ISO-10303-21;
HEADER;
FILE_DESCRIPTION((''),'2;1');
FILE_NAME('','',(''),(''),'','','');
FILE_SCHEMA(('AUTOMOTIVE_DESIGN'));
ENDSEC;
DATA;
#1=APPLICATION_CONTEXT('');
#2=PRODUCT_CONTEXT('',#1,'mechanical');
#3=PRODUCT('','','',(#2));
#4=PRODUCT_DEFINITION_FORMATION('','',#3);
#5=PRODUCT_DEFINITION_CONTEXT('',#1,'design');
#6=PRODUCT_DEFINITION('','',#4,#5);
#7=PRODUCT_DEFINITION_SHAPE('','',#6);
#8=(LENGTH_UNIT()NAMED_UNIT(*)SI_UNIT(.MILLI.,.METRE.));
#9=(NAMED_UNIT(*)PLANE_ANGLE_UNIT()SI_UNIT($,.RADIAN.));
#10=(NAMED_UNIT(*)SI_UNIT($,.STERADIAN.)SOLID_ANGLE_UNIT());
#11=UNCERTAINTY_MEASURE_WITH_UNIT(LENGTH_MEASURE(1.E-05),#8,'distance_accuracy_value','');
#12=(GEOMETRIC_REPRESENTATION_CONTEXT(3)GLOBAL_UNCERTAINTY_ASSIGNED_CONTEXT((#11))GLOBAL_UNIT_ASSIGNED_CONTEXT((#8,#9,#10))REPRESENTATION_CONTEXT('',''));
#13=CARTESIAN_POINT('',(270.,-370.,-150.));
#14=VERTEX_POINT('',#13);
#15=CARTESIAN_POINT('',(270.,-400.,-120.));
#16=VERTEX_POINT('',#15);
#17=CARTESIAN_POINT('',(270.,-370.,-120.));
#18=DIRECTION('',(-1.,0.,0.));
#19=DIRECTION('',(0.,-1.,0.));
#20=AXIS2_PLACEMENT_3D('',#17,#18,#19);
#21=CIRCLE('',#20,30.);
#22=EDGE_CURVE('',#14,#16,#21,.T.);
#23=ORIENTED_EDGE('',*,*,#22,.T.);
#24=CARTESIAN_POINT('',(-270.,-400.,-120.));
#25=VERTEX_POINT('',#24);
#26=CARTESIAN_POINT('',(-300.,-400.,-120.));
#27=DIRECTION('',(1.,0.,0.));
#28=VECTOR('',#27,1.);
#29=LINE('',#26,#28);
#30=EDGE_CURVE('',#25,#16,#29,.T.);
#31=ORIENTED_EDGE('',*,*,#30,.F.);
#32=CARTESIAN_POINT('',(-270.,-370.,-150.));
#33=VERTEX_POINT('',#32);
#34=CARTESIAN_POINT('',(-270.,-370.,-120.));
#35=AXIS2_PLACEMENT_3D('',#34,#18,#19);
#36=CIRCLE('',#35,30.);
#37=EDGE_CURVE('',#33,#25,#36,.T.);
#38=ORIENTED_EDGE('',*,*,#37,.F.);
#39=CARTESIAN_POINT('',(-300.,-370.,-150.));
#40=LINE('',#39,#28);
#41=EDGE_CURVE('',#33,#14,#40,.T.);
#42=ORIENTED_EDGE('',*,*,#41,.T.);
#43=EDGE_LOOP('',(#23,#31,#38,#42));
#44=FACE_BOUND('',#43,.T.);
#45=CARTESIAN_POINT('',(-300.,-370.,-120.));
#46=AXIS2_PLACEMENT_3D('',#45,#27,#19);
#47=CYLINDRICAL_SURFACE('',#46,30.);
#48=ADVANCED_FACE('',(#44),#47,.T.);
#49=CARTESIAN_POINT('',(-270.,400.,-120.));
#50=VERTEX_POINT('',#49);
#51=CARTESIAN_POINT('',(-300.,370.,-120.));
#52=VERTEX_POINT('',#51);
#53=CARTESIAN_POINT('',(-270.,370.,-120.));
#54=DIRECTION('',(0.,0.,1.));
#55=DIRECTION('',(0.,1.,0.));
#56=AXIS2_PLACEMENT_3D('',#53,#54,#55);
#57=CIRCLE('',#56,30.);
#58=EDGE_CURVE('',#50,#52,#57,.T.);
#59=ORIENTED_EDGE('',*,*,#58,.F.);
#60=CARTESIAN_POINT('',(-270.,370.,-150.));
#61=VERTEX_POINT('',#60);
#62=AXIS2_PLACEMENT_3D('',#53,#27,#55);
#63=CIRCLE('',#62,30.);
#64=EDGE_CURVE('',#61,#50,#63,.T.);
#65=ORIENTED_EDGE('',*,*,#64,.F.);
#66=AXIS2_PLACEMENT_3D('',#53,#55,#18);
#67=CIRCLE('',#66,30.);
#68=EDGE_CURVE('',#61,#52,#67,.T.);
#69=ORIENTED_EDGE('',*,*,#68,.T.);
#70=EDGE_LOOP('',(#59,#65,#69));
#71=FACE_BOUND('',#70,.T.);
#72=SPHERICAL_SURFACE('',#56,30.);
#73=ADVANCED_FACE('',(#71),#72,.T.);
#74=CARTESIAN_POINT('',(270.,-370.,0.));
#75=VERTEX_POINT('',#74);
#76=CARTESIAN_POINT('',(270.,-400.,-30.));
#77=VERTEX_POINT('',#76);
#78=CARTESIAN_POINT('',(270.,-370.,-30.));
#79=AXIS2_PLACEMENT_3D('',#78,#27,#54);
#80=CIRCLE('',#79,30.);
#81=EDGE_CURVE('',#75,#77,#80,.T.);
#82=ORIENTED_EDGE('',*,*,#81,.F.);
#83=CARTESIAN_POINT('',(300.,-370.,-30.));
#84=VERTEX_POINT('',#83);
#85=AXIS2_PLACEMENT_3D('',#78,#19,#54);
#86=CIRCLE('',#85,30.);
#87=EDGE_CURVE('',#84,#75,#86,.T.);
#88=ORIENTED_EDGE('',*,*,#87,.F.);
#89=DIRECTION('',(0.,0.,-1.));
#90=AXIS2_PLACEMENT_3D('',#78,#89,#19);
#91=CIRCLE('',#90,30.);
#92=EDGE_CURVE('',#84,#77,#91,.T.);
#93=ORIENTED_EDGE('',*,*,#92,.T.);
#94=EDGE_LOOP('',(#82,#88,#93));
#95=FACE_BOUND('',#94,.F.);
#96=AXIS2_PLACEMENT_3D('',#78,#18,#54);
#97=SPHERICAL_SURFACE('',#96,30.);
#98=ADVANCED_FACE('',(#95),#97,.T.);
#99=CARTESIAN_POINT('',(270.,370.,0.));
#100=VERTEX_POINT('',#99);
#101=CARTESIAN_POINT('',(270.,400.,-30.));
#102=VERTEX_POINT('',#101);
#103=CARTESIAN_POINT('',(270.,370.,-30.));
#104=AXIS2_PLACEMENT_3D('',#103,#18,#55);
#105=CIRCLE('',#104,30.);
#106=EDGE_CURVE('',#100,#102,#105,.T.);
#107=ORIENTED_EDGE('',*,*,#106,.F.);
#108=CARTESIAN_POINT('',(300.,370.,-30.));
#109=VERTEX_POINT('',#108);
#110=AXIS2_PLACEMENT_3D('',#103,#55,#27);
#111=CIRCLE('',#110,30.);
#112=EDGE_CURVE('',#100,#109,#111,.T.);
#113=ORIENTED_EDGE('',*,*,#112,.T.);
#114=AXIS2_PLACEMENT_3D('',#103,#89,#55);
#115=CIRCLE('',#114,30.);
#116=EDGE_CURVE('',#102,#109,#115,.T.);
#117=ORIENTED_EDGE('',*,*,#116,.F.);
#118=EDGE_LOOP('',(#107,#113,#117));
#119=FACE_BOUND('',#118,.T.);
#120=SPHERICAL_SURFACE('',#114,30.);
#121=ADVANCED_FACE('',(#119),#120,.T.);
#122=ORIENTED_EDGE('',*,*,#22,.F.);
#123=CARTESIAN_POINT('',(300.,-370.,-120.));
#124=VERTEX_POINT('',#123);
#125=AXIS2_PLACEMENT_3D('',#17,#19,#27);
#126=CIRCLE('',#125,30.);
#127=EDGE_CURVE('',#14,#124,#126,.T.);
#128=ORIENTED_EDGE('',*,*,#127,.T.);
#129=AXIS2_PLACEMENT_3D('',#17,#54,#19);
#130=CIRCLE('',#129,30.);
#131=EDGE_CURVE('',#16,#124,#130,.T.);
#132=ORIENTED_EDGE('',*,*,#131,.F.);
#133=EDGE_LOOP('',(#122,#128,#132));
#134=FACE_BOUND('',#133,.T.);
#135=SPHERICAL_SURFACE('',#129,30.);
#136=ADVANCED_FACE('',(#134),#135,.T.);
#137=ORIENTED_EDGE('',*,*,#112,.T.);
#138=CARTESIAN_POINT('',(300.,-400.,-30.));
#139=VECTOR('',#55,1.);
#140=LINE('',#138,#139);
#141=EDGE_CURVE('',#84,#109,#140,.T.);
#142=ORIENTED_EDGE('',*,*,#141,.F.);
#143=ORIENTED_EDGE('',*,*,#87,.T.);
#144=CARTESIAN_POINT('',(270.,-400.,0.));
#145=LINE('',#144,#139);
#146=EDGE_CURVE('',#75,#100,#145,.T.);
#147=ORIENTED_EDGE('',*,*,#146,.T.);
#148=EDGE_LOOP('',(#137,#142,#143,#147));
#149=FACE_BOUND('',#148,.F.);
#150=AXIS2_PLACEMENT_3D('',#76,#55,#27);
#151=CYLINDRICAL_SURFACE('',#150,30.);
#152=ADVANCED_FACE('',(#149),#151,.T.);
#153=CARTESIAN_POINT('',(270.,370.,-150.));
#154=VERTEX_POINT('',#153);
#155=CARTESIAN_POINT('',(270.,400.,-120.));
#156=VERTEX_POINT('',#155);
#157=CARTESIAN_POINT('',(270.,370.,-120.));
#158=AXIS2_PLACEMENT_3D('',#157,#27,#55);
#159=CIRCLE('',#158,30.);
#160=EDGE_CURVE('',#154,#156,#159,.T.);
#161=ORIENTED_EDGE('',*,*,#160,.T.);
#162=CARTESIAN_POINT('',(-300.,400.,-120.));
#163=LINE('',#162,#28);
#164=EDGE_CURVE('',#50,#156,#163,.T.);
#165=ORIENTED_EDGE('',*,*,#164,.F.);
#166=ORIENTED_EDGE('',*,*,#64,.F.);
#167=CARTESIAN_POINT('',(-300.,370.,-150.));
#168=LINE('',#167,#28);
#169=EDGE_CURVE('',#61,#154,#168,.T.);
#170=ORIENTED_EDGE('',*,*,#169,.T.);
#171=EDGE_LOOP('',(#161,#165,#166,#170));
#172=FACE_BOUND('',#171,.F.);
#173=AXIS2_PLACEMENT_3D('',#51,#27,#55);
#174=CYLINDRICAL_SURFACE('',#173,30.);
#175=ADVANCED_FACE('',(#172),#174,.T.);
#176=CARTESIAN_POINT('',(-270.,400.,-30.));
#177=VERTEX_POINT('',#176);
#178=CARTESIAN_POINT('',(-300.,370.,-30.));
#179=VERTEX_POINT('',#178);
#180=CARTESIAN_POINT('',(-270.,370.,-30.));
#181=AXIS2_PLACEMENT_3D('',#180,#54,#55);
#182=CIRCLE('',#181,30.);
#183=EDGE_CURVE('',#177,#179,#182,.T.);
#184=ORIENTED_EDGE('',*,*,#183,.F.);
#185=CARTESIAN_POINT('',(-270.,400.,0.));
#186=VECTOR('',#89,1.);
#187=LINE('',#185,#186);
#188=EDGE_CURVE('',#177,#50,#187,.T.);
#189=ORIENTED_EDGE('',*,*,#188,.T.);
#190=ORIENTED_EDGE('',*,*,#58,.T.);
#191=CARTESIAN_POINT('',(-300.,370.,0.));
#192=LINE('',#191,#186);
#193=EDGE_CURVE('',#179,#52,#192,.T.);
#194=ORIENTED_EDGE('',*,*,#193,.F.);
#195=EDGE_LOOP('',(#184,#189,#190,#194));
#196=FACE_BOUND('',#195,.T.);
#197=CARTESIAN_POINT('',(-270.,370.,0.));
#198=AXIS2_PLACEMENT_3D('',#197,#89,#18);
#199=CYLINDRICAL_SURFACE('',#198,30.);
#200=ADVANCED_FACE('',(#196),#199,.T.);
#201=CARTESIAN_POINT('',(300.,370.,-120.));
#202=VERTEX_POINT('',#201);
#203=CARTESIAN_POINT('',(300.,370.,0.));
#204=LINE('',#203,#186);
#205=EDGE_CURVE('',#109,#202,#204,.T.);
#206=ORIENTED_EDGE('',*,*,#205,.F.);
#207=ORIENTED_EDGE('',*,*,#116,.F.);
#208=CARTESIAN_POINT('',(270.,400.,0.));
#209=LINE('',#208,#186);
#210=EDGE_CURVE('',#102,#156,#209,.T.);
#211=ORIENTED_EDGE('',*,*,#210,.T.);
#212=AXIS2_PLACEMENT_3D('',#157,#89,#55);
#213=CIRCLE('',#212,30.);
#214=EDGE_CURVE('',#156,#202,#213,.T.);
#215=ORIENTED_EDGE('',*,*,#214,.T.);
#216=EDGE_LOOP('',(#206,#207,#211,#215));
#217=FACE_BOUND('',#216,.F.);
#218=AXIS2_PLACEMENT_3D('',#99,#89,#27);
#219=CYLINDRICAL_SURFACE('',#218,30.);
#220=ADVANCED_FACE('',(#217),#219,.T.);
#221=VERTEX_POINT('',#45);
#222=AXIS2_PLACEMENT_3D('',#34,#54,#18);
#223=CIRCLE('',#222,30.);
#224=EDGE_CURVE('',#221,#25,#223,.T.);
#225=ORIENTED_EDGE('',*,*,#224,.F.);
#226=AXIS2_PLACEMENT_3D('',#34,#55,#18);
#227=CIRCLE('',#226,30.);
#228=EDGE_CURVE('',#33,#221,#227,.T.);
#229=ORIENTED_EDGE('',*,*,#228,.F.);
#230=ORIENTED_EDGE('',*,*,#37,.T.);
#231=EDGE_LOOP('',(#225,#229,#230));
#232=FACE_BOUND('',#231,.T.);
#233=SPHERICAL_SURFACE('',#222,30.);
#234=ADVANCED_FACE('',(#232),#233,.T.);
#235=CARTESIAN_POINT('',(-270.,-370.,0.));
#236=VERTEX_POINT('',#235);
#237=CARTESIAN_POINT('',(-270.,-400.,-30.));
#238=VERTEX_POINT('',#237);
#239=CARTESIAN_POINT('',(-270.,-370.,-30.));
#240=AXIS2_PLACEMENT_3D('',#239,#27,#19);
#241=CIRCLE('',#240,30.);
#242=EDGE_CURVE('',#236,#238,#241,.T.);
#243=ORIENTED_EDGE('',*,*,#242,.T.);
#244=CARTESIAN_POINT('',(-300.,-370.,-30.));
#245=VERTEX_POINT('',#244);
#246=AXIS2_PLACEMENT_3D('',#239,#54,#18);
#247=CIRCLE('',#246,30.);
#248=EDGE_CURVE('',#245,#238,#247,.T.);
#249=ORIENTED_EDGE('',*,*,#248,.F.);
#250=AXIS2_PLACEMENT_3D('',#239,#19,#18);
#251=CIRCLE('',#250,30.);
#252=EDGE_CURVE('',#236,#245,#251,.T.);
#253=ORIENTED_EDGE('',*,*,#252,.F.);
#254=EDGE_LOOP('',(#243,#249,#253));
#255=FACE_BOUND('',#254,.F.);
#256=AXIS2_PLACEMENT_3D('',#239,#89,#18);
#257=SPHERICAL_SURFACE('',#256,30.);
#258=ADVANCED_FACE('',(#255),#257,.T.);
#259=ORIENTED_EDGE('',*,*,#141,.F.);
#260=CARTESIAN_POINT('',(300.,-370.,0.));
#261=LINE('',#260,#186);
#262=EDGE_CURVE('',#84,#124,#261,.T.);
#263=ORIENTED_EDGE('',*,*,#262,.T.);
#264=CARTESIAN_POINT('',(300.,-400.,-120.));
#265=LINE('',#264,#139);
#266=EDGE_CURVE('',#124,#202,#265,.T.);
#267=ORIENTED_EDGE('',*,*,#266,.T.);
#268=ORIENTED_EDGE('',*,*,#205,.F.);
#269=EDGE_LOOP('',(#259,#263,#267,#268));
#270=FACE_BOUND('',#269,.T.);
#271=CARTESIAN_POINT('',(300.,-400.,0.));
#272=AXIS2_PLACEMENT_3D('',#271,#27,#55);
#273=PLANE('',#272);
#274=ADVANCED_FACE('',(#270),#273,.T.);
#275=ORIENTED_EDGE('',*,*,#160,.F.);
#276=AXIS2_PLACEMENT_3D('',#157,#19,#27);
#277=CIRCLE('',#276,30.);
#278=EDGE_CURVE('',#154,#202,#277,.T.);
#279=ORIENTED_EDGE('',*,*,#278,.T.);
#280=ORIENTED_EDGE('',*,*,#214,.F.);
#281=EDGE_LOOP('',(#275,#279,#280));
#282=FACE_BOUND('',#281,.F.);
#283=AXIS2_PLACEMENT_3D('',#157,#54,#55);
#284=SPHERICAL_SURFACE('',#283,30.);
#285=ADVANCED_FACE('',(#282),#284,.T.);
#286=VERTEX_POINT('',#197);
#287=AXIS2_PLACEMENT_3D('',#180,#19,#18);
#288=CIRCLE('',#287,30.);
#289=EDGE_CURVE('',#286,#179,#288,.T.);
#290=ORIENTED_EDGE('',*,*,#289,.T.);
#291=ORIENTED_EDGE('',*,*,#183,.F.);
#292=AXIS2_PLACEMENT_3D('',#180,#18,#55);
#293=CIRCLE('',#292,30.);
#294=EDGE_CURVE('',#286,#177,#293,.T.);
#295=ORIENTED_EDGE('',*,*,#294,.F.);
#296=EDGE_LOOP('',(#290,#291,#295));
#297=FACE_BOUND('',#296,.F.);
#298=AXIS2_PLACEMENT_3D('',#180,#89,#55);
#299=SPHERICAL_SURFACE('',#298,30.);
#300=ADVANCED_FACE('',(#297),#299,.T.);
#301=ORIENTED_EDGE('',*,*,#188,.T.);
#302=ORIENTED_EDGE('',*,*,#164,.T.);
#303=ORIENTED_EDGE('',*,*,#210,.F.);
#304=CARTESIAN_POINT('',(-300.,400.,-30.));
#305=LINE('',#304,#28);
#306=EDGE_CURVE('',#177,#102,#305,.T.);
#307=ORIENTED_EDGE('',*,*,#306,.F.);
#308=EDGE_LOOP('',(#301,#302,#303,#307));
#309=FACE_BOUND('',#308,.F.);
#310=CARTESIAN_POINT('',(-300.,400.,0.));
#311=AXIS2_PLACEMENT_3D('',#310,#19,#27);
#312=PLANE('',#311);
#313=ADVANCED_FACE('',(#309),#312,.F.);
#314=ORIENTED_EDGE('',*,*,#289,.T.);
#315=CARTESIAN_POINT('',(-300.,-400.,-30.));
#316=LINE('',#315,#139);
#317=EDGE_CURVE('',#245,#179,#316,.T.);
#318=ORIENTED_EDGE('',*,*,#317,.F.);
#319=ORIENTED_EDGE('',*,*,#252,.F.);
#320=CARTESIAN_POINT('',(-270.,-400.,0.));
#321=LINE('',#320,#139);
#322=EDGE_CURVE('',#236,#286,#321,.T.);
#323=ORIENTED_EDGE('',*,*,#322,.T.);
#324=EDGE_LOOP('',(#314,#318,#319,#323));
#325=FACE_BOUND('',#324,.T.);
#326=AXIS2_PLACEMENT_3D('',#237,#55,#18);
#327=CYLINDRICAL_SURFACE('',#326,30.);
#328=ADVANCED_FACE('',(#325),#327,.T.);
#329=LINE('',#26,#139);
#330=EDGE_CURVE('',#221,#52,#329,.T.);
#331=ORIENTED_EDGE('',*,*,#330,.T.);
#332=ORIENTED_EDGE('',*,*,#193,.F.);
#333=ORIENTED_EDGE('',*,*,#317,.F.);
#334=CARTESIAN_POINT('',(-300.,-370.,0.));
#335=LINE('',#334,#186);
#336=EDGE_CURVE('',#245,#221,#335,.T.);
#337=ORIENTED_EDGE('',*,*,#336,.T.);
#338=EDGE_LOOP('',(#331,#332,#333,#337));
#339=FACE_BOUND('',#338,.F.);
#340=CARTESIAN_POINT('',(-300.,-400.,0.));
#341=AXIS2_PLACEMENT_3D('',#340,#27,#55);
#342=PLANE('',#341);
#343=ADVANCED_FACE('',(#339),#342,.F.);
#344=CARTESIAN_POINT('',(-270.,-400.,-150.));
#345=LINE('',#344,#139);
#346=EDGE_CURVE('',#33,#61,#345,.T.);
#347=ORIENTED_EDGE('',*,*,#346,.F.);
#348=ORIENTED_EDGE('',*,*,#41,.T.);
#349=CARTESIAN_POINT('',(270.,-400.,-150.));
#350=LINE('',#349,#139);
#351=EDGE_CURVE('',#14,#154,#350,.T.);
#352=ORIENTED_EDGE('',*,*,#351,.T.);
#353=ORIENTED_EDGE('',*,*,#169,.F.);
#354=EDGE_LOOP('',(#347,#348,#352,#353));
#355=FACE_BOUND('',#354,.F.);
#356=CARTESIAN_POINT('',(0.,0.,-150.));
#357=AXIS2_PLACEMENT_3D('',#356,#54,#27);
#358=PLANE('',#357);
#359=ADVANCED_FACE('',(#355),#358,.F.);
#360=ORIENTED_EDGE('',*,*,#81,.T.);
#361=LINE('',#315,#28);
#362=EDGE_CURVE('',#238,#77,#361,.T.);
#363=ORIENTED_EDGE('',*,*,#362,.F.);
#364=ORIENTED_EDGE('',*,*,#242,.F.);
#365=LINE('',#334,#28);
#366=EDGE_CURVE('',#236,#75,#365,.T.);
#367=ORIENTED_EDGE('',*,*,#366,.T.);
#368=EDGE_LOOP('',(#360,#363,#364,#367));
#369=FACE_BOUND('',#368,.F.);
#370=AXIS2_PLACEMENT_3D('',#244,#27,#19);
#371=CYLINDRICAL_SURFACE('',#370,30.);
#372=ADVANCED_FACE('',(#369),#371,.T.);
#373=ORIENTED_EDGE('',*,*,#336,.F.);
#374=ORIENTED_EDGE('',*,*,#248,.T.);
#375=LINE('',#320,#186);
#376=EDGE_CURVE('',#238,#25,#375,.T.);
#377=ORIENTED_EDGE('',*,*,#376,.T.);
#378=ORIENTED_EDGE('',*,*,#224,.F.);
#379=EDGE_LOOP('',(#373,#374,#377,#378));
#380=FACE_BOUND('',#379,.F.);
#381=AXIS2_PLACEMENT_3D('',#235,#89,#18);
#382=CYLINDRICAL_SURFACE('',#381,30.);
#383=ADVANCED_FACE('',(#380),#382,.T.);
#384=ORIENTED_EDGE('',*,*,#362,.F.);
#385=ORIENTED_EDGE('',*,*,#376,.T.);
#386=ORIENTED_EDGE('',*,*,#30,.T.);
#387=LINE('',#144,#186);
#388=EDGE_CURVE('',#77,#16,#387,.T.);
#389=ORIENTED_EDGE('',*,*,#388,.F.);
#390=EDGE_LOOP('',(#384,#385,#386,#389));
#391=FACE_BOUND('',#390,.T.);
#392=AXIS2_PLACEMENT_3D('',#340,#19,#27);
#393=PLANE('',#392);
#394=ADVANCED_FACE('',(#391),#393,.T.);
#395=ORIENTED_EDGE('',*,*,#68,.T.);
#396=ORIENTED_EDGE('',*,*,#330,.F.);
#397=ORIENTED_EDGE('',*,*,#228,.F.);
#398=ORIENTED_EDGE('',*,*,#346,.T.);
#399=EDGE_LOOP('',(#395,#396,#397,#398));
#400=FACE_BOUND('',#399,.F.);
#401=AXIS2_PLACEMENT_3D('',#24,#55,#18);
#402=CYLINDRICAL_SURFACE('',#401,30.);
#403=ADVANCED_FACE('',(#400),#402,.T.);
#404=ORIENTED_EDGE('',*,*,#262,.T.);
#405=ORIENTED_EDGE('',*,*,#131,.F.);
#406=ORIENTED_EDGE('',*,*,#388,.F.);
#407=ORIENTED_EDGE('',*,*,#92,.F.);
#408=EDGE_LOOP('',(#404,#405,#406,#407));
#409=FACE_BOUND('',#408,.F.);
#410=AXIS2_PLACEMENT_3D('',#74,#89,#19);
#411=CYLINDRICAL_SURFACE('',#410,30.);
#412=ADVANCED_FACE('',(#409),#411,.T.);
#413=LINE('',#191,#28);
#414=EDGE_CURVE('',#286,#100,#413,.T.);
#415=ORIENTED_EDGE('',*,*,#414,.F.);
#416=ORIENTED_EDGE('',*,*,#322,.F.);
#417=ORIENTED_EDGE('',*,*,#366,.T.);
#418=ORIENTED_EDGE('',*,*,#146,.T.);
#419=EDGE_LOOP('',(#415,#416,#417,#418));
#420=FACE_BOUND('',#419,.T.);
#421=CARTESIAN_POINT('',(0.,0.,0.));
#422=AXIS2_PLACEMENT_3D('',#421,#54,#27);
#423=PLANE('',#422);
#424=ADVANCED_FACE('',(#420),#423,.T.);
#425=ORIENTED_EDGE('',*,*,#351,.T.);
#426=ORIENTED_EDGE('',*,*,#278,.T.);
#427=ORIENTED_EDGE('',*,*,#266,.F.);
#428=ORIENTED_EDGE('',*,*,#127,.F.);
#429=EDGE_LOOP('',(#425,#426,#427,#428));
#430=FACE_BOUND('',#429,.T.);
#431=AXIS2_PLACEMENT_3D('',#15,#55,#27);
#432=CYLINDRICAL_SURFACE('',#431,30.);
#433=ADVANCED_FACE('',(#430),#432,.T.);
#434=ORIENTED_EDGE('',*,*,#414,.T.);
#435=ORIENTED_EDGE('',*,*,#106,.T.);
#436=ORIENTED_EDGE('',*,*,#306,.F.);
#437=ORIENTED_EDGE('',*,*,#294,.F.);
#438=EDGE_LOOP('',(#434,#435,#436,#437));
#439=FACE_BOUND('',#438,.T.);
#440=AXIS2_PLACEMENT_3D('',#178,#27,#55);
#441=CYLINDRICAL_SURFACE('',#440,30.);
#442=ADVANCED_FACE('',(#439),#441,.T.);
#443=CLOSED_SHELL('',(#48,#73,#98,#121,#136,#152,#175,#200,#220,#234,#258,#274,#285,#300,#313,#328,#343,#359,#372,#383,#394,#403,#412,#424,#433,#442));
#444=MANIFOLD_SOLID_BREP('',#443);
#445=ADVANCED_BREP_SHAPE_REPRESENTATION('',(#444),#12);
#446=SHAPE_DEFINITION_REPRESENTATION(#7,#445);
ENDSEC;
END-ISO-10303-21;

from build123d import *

# Parameters (mm, degrees)
F0_W     = 600
F0_H     = 800
F1_DEPTH = 150
F2_R     = 30


with BuildPart() as f1:
    # F0 (on Top) → F1 (new body)
    with BuildSketch(Plane.XY):
        Rectangle(F0_W, F0_H)
    extrude(amount=-F1_DEPTH)

    # F2
    f2_edges = [f1.edges().sort_by_distance(p)[0] for p in [
        (300, 400, -75),
        (-300, 400, -75),
        (0, 400, 0),
        (0, 400, -150),
        (-300, -400, -75),
        (-300, 0, 0),
        (-300, 0, -150),
        (0, -400, 0),
        (300, 0, 0),
        (300, -400, -75),
        (0, -400, -150),
        (300, 0, -150),
    ]]
    fillet(f2_edges, radius=F2_R)


solid = f1.part
